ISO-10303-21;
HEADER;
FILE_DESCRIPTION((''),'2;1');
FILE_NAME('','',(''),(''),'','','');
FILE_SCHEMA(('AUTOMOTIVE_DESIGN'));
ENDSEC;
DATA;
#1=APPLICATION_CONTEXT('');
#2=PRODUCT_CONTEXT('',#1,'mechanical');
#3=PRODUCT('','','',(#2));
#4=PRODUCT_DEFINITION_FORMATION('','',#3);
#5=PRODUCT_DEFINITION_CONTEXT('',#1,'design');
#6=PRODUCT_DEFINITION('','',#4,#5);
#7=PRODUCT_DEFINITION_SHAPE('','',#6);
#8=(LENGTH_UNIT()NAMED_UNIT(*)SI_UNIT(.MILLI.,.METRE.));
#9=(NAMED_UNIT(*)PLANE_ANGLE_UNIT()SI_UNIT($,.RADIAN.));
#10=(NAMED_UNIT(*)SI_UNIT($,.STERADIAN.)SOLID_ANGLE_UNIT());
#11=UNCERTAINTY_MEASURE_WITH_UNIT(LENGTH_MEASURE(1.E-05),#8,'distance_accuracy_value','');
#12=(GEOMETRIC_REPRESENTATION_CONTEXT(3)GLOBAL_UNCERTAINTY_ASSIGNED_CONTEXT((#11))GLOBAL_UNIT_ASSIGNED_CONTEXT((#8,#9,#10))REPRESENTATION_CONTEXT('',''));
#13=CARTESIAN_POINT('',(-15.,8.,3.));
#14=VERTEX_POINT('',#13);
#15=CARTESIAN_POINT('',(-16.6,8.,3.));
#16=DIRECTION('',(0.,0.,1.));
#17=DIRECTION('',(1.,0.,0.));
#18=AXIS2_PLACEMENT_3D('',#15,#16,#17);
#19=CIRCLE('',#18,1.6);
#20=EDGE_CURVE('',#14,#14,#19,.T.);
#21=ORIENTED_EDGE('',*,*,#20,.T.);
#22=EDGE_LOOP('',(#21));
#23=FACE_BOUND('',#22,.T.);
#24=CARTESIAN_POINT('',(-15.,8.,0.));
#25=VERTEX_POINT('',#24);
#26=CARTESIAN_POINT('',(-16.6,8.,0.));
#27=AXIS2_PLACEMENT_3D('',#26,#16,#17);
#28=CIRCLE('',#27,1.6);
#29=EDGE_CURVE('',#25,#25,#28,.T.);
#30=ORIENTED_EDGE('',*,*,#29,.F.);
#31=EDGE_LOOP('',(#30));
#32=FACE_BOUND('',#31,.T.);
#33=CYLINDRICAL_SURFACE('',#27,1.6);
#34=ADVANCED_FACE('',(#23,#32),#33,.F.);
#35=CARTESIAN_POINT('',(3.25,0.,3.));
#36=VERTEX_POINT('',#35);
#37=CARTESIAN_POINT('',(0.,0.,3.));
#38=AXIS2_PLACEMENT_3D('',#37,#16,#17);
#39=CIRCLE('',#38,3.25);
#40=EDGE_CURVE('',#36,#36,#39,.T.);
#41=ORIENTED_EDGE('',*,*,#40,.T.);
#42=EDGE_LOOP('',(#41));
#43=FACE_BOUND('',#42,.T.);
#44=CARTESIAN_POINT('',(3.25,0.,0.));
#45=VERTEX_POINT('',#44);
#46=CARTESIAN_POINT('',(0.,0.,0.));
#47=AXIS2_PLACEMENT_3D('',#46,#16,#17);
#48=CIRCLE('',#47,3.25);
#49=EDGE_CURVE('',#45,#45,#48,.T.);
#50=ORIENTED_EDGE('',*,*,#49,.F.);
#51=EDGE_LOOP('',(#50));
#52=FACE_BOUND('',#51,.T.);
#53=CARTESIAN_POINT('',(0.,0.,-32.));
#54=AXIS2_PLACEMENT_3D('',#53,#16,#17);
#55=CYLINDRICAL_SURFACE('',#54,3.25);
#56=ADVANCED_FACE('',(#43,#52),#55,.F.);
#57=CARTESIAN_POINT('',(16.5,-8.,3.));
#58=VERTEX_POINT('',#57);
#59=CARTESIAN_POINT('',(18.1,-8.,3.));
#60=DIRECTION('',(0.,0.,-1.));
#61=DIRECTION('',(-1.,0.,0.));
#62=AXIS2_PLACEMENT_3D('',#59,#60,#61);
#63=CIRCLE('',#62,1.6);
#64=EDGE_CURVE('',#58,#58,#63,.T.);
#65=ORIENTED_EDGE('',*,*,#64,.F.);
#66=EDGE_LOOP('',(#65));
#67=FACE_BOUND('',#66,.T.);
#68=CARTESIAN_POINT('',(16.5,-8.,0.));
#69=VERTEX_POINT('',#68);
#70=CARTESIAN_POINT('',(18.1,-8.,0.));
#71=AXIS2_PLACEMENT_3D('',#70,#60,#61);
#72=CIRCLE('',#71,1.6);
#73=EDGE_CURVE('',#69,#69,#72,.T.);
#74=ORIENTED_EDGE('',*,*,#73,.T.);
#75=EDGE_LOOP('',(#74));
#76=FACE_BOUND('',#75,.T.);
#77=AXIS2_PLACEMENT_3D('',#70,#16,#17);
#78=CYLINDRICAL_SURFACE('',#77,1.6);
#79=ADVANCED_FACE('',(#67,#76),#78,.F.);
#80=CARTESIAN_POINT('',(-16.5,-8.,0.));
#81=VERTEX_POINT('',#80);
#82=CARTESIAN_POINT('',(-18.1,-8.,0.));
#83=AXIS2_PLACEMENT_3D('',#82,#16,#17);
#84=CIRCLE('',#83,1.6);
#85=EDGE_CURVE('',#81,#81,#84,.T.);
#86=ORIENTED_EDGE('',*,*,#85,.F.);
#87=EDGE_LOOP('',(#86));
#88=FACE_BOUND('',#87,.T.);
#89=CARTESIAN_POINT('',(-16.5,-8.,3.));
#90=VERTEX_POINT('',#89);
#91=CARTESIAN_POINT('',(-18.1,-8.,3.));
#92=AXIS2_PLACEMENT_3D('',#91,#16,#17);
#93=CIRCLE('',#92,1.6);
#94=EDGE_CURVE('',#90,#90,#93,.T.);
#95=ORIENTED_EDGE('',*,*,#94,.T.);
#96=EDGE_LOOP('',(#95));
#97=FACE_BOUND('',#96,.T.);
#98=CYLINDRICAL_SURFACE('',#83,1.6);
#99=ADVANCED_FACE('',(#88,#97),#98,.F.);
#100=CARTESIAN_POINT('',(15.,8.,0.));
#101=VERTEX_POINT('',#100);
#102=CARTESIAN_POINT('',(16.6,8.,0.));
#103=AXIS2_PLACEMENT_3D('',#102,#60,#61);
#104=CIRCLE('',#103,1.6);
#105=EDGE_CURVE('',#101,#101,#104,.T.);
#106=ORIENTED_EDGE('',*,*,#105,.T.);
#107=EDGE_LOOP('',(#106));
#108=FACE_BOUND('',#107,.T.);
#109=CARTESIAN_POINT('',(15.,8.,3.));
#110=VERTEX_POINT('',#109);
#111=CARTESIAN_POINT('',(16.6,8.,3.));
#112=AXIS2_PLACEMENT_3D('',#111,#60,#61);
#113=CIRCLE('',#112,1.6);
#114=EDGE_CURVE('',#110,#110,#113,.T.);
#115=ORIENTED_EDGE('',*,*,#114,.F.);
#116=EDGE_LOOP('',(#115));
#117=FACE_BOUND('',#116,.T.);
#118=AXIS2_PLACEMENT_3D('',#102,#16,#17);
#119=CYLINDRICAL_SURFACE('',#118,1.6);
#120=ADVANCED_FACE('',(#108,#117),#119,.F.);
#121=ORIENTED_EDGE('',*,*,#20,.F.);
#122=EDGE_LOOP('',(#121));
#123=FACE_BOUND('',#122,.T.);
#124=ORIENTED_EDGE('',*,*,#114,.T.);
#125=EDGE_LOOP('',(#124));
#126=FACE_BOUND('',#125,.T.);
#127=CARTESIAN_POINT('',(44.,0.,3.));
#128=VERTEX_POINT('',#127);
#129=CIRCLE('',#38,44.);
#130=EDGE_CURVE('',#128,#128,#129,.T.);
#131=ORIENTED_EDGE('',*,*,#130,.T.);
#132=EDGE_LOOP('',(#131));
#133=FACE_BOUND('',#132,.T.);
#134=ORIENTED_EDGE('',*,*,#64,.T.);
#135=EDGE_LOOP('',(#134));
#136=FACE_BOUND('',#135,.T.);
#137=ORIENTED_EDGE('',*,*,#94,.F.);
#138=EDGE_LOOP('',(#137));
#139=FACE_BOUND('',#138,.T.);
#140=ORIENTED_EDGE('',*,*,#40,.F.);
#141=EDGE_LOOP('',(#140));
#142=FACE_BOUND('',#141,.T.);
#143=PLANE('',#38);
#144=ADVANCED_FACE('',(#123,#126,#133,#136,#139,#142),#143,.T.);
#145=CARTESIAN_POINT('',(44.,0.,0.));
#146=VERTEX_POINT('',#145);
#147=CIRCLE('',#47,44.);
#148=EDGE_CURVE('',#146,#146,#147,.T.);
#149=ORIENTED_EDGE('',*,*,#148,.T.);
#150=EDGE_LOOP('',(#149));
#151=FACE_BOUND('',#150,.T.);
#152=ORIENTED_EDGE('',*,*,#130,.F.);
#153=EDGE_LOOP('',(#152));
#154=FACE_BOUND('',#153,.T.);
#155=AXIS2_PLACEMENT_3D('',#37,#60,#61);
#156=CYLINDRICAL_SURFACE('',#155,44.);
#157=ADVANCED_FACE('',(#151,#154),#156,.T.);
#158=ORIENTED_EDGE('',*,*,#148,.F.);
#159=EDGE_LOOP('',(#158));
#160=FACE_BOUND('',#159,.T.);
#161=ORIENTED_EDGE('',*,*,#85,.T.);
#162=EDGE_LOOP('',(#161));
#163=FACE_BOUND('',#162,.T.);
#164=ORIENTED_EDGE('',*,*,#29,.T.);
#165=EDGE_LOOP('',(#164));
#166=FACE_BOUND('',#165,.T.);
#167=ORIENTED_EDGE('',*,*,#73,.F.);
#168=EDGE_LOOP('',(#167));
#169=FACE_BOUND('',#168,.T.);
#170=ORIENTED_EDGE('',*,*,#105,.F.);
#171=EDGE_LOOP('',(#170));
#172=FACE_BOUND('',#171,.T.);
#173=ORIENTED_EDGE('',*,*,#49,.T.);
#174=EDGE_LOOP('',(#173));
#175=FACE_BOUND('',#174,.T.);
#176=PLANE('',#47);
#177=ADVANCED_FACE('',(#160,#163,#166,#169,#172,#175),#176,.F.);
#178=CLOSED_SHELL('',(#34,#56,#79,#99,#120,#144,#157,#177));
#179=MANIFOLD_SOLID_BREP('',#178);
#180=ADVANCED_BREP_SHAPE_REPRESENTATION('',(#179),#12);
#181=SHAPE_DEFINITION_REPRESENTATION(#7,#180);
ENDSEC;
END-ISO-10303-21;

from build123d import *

# Parameters (mm, degrees)
SKETCH_1_R          = 44
EXTRUDE_1_DEPTH     = 3
SKETCH_2_R          = 1.6
CUT_EXTRUDE_1_DEPTH = 3
SKETCH_3_R          = 3.25
CUT_EXTRUDE_2_DEPTH = 35


with BuildPart() as part:
    # ｽｹｯﾁ1 → ﾎﾞｽ - 押し出し1 (new body)
    with BuildSketch(Plane.XY):
        Circle(SKETCH_1_R)
    extrude(amount=EXTRUDE_1_DEPTH)

    # ｽｹｯﾁ2 → ｶｯﾄ - 押し出し1 (cut)
    with BuildSketch(Plane.XY.offset(3)):
        with Locations((-16.6, 8)):
            Circle(SKETCH_2_R)
        with Locations((-18.1, -8)):
            Circle(SKETCH_2_R)
        with Locations(Location((18.1, -8, 0), (0, 0, 180))):
            Circle(SKETCH_2_R)
        with Locations(Location((16.6, 8, 0), (0, 0, 180))):
            Circle(SKETCH_2_R)
    extrude(amount=-CUT_EXTRUDE_1_DEPTH, mode=Mode.SUBTRACT)

    # ｽｹｯﾁ3 → ｶｯﾄ - 押し出し2 (cut)
    with BuildSketch(Plane.XY.offset(3)):
        Circle(SKETCH_3_R)
    extrude(amount=-CUT_EXTRUDE_2_DEPTH, mode=Mode.SUBTRACT)


solid = part.part
